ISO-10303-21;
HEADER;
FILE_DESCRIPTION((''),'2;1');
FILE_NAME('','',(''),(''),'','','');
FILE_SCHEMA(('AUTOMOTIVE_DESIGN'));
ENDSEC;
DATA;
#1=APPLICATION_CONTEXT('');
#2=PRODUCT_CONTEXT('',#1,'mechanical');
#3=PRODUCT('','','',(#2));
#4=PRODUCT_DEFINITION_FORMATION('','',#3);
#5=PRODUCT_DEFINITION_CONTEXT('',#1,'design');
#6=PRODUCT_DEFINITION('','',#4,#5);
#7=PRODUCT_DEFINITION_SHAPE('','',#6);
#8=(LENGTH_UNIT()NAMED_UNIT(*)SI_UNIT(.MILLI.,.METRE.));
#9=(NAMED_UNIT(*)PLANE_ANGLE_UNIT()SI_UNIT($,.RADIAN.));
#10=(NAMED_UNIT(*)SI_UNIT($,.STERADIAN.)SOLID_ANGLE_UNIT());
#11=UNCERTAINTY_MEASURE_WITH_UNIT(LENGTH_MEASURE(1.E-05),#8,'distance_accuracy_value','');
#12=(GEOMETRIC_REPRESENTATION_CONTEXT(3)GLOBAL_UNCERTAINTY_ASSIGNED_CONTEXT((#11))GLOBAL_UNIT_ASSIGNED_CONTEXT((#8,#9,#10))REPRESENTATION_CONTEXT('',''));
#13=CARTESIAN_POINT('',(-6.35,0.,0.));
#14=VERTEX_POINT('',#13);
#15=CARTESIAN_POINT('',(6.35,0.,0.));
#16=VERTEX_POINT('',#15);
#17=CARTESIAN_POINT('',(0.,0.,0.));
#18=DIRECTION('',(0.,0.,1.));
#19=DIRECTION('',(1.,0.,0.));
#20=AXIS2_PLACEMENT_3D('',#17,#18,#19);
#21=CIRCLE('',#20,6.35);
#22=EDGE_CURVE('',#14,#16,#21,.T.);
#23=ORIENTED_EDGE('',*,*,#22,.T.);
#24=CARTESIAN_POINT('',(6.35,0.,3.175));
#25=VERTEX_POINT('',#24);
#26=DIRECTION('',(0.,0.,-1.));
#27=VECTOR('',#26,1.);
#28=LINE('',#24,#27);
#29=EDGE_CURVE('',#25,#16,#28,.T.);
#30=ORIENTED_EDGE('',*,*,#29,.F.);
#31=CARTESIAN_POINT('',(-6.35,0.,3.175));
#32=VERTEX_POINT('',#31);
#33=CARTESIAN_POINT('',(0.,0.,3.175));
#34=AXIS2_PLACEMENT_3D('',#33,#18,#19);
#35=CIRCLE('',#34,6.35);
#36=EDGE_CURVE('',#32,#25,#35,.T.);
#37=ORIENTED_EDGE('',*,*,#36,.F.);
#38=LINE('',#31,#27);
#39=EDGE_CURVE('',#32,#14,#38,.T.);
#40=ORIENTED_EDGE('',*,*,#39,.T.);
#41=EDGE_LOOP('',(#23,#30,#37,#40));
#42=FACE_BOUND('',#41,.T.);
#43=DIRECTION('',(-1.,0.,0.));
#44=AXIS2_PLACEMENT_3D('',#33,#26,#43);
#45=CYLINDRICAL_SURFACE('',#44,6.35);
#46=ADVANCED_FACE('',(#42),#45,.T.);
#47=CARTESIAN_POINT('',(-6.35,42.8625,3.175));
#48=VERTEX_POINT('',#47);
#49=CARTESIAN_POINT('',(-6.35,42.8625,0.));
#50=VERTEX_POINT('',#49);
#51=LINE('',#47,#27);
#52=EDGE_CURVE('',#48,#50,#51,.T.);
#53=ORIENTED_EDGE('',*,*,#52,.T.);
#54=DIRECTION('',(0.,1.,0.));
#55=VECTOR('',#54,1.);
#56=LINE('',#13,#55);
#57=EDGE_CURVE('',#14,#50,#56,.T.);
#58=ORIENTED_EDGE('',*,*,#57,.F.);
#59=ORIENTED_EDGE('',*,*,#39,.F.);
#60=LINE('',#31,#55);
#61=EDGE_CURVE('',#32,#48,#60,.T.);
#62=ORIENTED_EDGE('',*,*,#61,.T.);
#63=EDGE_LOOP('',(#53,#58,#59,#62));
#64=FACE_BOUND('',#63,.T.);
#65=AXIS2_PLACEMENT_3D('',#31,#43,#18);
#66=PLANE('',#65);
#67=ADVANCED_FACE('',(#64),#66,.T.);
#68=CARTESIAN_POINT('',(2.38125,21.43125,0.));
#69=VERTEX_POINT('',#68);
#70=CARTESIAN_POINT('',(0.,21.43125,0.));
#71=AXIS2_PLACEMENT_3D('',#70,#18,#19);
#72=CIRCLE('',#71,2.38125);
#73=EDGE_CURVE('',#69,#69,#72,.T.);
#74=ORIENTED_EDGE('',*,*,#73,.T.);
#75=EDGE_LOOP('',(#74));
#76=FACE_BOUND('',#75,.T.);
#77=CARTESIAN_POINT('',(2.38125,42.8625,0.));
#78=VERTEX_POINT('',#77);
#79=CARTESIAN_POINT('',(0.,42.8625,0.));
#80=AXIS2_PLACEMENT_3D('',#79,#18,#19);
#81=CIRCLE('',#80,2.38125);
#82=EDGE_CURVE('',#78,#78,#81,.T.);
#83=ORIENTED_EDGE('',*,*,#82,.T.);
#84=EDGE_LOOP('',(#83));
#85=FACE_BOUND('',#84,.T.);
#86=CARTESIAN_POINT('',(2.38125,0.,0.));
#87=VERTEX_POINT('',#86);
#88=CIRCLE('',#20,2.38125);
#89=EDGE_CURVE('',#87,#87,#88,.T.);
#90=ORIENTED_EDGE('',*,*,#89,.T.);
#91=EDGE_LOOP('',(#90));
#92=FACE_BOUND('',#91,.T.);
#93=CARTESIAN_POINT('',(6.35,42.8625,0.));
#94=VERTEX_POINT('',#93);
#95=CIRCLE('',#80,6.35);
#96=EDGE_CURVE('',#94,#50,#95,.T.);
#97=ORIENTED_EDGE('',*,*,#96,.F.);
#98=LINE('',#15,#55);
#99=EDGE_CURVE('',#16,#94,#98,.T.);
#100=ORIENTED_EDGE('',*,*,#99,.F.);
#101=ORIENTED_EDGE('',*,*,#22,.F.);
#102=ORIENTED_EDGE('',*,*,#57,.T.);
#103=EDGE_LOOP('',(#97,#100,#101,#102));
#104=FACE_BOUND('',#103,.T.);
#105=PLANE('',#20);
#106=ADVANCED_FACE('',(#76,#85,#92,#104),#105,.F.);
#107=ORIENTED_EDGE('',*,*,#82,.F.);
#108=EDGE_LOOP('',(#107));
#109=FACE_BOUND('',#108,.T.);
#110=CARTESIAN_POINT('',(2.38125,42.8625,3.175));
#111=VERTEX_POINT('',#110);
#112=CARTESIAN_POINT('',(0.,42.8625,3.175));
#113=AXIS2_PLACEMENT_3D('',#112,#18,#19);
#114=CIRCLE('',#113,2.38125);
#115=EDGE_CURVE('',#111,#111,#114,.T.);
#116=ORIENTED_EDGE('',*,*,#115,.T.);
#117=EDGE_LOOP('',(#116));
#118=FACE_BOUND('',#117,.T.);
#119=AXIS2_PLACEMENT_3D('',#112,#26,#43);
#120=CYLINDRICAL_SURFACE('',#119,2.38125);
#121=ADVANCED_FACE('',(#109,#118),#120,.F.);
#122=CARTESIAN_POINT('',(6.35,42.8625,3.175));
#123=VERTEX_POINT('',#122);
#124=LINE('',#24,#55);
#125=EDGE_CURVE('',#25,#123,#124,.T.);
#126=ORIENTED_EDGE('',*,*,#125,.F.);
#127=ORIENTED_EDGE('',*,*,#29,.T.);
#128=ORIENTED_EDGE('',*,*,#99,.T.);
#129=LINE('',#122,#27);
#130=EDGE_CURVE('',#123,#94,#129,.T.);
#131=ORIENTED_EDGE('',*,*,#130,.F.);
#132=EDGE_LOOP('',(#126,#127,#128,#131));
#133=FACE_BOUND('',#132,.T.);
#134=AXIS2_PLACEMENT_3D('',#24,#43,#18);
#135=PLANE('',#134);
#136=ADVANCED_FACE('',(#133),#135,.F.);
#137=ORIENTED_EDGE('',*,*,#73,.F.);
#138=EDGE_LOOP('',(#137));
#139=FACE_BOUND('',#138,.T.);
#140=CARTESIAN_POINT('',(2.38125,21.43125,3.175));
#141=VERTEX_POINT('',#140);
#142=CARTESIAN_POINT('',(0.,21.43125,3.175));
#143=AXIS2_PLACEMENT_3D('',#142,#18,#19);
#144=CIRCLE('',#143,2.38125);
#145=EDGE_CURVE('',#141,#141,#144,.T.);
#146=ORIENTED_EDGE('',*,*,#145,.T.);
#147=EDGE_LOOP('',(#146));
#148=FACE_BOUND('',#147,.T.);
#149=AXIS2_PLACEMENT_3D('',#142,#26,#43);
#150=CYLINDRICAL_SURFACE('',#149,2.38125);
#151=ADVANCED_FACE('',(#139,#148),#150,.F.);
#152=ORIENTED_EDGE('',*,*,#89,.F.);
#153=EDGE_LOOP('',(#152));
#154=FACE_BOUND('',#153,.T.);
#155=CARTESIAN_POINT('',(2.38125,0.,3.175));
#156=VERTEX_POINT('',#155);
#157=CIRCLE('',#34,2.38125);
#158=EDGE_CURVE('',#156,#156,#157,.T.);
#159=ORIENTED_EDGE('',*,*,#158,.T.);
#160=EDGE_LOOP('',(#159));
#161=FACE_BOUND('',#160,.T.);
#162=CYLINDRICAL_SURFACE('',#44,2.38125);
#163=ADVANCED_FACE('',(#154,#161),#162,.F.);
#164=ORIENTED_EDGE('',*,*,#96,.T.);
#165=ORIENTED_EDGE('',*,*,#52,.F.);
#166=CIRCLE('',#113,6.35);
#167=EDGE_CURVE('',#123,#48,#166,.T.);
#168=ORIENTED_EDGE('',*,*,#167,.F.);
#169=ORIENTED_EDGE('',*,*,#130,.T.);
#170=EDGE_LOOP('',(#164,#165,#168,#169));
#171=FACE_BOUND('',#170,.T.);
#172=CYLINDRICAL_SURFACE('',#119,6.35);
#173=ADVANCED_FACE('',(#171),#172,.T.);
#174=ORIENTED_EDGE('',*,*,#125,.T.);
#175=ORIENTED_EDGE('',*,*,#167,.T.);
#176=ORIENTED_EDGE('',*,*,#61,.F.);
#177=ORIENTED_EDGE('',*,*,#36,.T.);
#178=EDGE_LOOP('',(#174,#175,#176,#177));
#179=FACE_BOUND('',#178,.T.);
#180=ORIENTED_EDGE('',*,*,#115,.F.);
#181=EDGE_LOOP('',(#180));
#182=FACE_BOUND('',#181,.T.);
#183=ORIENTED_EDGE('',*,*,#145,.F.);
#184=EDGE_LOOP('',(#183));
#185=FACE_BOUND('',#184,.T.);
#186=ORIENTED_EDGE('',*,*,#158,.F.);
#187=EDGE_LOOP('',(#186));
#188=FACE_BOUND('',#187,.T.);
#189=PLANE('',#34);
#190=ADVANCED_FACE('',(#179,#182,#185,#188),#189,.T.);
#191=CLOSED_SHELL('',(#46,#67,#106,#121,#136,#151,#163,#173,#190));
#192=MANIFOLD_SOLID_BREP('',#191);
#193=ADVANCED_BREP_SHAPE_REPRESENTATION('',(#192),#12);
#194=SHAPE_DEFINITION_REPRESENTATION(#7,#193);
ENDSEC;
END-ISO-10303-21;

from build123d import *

# Parameters (mm, degrees)
SKETCH1_R           = 2.38125
BOSS_EXTRUDE1_DEPTH = 3.175


with BuildPart() as part:
    # Sketch1 → Boss-Extrude1 (new body)
    with BuildSketch(Plane.XY):
        with BuildLine():
            Line((-6.35, 0), (-6.35, 42.8625))
            ThreePointArc((-6.35, 42.8625), (0, 49.2125), (6.35, 42.8625))
            Line((6.35, 42.8625), (6.35, 0))
            ThreePointArc((6.35, 0), (0, -6.35), (-6.35, 0))
        make_face()
        Circle(SKETCH1_R, mode=Mode.SUBTRACT)
        with Locations((0, 42.8625)):
            Circle(SKETCH1_R, mode=Mode.SUBTRACT)
        with Locations((0, 21.43125)):
            Circle(SKETCH1_R, mode=Mode.SUBTRACT)
    extrude(amount=BOSS_EXTRUDE1_DEPTH)


solid = part.part
